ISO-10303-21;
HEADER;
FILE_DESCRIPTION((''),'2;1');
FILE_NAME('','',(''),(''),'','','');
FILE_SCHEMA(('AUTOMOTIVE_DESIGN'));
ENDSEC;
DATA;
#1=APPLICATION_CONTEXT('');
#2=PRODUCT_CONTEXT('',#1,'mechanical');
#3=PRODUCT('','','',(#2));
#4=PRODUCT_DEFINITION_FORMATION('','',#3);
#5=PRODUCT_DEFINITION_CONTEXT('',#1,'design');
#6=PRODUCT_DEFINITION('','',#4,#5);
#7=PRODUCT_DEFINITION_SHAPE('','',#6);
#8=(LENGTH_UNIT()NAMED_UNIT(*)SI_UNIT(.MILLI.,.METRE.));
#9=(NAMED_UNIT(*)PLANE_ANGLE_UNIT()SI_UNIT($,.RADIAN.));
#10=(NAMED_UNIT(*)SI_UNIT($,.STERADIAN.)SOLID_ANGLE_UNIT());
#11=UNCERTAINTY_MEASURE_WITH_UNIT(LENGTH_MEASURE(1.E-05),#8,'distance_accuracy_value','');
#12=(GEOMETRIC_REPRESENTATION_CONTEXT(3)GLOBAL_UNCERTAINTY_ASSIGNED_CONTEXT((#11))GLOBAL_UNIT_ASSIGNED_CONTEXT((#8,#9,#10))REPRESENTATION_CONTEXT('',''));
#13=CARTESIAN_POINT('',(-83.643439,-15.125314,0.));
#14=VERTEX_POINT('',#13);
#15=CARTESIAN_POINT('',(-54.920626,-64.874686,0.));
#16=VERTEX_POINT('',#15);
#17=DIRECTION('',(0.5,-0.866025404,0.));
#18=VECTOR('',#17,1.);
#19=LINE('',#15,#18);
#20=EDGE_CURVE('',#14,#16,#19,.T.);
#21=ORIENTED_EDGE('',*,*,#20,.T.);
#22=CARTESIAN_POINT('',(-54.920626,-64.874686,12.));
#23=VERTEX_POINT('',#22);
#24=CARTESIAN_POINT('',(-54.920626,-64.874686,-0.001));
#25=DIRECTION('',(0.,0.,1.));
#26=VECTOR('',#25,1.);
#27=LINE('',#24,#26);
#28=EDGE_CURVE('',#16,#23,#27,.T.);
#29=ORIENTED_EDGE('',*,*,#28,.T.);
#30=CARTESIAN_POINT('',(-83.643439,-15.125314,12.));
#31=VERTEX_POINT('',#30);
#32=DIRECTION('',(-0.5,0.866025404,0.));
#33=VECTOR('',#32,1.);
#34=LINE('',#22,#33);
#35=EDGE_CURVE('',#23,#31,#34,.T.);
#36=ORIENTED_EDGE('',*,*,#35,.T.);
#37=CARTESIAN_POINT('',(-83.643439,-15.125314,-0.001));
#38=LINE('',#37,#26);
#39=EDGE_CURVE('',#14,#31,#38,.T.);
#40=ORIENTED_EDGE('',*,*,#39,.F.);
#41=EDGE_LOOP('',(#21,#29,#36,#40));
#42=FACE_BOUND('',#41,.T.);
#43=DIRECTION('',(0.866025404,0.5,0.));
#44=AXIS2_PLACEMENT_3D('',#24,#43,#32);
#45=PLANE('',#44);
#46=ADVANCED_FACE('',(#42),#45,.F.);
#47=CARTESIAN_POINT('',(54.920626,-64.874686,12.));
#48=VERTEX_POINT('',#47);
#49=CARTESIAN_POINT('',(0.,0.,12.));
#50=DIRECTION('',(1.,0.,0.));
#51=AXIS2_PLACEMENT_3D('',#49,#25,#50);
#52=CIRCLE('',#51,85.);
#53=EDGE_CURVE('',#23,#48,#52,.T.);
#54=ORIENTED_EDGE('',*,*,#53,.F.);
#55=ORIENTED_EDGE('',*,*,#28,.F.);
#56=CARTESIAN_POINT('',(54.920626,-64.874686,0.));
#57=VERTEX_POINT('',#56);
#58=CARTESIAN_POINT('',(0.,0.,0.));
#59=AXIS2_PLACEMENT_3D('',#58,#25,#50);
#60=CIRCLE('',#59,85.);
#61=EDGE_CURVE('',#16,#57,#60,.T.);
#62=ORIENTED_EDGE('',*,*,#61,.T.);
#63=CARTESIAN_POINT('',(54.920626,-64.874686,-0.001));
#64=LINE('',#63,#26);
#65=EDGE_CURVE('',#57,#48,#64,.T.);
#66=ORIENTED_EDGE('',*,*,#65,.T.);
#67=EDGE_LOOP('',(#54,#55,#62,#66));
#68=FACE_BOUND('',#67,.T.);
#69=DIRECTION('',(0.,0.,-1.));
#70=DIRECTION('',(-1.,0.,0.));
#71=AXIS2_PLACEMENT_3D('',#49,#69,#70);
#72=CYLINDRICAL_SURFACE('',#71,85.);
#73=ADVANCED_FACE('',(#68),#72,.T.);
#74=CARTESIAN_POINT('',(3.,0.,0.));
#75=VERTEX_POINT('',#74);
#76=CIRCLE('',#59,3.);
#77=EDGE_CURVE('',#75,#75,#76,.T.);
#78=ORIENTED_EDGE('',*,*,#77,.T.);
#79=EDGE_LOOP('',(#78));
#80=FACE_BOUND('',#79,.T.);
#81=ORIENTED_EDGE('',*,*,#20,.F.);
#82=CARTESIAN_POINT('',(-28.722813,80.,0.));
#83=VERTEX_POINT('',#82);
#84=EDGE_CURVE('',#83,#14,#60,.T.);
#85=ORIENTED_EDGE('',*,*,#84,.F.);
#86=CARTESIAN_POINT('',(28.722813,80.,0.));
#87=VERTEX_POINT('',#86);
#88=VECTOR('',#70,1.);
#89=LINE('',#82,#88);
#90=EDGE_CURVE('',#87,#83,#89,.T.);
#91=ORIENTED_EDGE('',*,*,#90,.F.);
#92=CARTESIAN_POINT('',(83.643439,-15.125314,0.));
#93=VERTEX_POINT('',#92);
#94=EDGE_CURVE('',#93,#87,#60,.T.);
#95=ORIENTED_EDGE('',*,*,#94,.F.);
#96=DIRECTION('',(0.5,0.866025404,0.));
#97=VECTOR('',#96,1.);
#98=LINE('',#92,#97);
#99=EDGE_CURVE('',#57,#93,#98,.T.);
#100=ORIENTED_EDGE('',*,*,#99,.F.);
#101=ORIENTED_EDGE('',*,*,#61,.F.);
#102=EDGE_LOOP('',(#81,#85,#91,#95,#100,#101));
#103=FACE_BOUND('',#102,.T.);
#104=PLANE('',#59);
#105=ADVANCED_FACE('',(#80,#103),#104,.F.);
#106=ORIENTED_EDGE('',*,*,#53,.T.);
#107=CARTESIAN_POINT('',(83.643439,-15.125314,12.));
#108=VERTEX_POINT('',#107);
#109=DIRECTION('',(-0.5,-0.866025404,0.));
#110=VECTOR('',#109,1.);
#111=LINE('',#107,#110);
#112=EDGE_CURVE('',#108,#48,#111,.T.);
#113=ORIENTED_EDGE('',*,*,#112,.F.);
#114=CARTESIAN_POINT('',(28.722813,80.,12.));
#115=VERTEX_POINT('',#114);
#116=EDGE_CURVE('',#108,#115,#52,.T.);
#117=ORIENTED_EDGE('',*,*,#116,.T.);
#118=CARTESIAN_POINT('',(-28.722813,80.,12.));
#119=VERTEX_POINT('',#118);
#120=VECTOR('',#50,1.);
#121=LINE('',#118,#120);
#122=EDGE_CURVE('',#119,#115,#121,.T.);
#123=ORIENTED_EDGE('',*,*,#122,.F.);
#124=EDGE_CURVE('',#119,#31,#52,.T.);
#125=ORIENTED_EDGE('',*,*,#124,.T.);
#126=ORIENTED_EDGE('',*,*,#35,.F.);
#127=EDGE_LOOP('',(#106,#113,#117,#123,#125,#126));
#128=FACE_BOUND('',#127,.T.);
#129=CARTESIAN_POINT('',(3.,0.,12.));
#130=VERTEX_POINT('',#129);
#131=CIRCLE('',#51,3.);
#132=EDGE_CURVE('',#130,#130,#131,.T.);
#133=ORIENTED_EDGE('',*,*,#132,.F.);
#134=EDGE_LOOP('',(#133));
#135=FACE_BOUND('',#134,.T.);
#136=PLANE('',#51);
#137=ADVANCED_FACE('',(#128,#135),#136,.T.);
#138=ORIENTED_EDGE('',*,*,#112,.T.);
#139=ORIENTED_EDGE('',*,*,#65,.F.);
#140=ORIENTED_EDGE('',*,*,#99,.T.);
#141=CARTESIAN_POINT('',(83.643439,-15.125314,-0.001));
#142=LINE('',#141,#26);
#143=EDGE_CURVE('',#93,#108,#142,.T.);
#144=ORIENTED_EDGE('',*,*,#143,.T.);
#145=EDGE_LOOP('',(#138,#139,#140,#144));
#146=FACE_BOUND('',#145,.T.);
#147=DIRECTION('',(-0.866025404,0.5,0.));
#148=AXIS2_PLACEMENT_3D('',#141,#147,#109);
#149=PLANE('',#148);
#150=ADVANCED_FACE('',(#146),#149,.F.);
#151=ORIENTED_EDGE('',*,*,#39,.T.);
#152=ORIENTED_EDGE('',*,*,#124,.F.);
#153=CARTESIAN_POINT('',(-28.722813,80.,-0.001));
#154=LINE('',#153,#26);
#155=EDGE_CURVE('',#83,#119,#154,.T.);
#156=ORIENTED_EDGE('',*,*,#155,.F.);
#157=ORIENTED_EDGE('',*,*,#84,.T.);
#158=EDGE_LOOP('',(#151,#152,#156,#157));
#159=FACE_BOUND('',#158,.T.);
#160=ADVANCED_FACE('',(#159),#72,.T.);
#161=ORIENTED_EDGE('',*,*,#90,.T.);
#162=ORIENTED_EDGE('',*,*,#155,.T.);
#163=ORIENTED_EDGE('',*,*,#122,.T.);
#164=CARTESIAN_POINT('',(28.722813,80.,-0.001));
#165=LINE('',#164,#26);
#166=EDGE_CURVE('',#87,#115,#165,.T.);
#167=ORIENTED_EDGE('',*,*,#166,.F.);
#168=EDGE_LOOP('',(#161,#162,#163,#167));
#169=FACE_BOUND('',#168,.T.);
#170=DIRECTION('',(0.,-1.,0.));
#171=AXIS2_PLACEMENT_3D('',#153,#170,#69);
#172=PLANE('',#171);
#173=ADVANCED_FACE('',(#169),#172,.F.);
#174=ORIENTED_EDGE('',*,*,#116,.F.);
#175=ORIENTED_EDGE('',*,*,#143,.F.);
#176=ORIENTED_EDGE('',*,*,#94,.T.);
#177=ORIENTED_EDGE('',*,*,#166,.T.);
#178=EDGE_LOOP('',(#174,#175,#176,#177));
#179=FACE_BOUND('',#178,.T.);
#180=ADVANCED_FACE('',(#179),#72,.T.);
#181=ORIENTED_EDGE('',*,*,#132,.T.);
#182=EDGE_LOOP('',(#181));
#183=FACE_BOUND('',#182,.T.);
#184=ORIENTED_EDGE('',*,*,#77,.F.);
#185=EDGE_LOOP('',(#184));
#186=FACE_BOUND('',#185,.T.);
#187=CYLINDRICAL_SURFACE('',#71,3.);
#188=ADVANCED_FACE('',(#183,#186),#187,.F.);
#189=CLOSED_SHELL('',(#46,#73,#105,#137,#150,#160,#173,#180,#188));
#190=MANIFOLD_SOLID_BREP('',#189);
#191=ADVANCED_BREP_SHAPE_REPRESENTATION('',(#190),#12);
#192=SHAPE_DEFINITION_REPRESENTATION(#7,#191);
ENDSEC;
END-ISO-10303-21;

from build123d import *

# Parameters (mm, degrees)
SKETCH1_R           = 85
SKETCH1_R_2         = 3
BOSS_EXTRUDE1_DEPTH = 12
CUT_EXTRUDE1_DEPTH  = 12
CIRPATTERN1_COUNT   = 3


with BuildPart() as part:
    # Sketch1 → Boss-Extrude1 (new body)
    with BuildSketch(Plane.XY):
        Circle(SKETCH1_R)
        Circle(SKETCH1_R_2, mode=Mode.SUBTRACT)
    extrude(amount=BOSS_EXTRUDE1_DEPTH)

    # Sketch2 → Cut-Extrude1 (cut)
    with BuildSketch(Plane.XY.offset(12)):
        with BuildLine():
            Line((-28.722813233, 80), (28.722813233, 80))
            ThreePointArc((28.722813233, 80), (0, 85), (-28.722813233, 80))
        make_face()
    cut_extrude1 = extrude(amount=-CUT_EXTRUDE1_DEPTH, mode=Mode.SUBTRACT)

    # CirPattern1: Cut-Extrude1 ×3 about axis
    cirpattern1_axis = Axis((0, 0, 0), (0, 0, 1))
    for i in range(1, CIRPATTERN1_COUNT):
        add(cut_extrude1.rotate(cirpattern1_axis, i * 360 / CIRPATTERN1_COUNT), mode=Mode.SUBTRACT)


solid = part.part
